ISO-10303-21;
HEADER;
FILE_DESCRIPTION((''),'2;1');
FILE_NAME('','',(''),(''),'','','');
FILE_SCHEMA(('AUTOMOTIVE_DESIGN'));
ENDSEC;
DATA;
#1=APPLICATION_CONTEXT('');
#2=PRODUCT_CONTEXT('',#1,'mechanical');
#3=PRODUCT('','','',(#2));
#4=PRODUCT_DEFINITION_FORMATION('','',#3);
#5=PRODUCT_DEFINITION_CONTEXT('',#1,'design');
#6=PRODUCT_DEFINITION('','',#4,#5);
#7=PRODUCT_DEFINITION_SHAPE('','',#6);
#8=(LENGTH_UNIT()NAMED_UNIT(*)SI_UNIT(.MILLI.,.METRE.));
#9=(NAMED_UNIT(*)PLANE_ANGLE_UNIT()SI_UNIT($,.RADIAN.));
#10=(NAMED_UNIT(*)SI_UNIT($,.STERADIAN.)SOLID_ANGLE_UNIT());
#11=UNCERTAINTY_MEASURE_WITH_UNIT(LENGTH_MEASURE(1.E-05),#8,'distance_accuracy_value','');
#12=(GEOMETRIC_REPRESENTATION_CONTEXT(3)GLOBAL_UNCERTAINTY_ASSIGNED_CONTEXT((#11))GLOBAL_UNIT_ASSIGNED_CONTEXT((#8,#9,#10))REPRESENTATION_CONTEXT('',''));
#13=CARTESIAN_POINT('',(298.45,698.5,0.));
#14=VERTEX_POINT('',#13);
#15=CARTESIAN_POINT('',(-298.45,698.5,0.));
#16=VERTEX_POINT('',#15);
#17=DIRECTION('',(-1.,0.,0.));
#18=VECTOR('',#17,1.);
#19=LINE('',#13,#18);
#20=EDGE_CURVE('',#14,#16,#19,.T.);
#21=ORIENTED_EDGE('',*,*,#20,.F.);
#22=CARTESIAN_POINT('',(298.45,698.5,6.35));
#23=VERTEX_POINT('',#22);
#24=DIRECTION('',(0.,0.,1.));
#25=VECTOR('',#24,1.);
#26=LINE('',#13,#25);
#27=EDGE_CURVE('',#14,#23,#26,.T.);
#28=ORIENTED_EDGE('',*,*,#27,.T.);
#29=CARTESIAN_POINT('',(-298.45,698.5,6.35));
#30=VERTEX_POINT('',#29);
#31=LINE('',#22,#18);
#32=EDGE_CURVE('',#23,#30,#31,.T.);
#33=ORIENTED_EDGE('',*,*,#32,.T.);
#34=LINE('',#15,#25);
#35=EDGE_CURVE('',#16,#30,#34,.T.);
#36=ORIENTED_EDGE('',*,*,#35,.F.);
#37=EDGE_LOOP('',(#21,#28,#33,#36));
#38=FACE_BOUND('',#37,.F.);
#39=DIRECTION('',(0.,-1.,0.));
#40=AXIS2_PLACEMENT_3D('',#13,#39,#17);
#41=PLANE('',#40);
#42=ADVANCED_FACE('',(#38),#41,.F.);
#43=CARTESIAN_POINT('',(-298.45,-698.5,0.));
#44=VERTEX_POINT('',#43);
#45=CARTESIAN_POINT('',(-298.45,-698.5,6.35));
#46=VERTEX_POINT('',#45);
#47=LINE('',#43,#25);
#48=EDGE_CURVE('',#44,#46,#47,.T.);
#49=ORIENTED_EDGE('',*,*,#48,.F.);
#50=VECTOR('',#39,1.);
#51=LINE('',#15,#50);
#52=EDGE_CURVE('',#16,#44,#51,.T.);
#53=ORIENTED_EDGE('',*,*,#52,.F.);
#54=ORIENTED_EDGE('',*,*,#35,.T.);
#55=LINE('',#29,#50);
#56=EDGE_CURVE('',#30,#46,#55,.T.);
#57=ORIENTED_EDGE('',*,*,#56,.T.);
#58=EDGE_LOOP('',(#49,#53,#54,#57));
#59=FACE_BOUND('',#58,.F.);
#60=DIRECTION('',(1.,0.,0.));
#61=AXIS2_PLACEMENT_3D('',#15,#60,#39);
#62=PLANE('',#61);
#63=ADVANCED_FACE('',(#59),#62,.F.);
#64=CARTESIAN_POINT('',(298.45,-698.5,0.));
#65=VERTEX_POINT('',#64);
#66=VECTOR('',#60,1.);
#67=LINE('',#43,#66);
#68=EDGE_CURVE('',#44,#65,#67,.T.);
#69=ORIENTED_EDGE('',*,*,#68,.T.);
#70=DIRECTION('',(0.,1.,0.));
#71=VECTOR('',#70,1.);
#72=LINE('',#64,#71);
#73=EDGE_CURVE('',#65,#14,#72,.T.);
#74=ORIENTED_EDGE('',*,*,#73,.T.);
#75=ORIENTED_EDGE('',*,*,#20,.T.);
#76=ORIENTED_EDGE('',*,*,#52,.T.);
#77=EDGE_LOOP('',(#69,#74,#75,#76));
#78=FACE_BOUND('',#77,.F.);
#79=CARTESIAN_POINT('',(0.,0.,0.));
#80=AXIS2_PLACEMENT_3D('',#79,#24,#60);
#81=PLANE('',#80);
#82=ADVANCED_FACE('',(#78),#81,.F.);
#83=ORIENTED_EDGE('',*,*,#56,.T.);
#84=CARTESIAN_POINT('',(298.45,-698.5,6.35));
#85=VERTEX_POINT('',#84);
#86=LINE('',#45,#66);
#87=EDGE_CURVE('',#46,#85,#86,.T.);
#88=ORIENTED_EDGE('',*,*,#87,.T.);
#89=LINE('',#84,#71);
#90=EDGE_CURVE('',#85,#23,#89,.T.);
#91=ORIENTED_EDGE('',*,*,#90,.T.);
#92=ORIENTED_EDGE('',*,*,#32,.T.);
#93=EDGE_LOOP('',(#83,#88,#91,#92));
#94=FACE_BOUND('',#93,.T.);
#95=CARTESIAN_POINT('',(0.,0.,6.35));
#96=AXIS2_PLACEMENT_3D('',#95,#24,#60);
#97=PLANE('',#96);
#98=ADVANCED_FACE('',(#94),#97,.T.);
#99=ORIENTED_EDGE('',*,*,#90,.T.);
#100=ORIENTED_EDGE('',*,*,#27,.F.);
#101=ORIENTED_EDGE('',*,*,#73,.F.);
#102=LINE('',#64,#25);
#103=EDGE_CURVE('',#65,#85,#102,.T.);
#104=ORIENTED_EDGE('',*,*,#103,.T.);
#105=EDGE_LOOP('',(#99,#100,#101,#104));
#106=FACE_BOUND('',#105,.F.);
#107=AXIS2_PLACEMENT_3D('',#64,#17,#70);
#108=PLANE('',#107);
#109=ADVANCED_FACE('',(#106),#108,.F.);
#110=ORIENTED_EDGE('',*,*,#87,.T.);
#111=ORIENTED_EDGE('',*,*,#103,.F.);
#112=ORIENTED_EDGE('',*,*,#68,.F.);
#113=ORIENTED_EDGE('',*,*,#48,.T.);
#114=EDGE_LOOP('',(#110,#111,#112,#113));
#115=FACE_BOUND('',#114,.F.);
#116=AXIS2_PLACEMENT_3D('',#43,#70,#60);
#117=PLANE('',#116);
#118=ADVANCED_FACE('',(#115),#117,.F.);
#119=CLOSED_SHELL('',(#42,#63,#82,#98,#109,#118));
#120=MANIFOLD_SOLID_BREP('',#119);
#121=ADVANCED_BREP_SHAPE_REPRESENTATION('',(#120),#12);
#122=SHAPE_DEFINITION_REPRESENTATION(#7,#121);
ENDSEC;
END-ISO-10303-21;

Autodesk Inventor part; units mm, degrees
ref_plane "XZ Plane" through (0, 0, 0) normal (0, 1, 0) x (-1, 0, 0)
ref_plane "XY Plane" through (0, 0, 0) normal (0, 0, 1) x (1, 0, 0)
sketch "Sketch1" plane through (0, 0, 0) normal (0, 0, 1) x (1, 0, 0)
  line L0 (-298.45, -698.5) -> (298.45, -698.5)
  line L1 (298.45, -698.5) -> (298.45, 698.5)
  line L2 (298.45, 698.5) -> (-298.45, 698.5)
  line L3 (-298.45, 698.5) -> (-298.45, -698.5)
  line L4 (-298.45, -698.5) -> (298.45, 698.5) construction
  line L5 (298.45, -698.5) -> (-298.45, 698.5) construction
  point P0 (0, 0)
  dimension "d0" = 596.9
  dimension "d1" = 1397
extrude "Extrusion1" add sketch "Sketch1" along normal blind 6.35
properties part number "backOfRobot" material "Polycarbonate, Smoke"
